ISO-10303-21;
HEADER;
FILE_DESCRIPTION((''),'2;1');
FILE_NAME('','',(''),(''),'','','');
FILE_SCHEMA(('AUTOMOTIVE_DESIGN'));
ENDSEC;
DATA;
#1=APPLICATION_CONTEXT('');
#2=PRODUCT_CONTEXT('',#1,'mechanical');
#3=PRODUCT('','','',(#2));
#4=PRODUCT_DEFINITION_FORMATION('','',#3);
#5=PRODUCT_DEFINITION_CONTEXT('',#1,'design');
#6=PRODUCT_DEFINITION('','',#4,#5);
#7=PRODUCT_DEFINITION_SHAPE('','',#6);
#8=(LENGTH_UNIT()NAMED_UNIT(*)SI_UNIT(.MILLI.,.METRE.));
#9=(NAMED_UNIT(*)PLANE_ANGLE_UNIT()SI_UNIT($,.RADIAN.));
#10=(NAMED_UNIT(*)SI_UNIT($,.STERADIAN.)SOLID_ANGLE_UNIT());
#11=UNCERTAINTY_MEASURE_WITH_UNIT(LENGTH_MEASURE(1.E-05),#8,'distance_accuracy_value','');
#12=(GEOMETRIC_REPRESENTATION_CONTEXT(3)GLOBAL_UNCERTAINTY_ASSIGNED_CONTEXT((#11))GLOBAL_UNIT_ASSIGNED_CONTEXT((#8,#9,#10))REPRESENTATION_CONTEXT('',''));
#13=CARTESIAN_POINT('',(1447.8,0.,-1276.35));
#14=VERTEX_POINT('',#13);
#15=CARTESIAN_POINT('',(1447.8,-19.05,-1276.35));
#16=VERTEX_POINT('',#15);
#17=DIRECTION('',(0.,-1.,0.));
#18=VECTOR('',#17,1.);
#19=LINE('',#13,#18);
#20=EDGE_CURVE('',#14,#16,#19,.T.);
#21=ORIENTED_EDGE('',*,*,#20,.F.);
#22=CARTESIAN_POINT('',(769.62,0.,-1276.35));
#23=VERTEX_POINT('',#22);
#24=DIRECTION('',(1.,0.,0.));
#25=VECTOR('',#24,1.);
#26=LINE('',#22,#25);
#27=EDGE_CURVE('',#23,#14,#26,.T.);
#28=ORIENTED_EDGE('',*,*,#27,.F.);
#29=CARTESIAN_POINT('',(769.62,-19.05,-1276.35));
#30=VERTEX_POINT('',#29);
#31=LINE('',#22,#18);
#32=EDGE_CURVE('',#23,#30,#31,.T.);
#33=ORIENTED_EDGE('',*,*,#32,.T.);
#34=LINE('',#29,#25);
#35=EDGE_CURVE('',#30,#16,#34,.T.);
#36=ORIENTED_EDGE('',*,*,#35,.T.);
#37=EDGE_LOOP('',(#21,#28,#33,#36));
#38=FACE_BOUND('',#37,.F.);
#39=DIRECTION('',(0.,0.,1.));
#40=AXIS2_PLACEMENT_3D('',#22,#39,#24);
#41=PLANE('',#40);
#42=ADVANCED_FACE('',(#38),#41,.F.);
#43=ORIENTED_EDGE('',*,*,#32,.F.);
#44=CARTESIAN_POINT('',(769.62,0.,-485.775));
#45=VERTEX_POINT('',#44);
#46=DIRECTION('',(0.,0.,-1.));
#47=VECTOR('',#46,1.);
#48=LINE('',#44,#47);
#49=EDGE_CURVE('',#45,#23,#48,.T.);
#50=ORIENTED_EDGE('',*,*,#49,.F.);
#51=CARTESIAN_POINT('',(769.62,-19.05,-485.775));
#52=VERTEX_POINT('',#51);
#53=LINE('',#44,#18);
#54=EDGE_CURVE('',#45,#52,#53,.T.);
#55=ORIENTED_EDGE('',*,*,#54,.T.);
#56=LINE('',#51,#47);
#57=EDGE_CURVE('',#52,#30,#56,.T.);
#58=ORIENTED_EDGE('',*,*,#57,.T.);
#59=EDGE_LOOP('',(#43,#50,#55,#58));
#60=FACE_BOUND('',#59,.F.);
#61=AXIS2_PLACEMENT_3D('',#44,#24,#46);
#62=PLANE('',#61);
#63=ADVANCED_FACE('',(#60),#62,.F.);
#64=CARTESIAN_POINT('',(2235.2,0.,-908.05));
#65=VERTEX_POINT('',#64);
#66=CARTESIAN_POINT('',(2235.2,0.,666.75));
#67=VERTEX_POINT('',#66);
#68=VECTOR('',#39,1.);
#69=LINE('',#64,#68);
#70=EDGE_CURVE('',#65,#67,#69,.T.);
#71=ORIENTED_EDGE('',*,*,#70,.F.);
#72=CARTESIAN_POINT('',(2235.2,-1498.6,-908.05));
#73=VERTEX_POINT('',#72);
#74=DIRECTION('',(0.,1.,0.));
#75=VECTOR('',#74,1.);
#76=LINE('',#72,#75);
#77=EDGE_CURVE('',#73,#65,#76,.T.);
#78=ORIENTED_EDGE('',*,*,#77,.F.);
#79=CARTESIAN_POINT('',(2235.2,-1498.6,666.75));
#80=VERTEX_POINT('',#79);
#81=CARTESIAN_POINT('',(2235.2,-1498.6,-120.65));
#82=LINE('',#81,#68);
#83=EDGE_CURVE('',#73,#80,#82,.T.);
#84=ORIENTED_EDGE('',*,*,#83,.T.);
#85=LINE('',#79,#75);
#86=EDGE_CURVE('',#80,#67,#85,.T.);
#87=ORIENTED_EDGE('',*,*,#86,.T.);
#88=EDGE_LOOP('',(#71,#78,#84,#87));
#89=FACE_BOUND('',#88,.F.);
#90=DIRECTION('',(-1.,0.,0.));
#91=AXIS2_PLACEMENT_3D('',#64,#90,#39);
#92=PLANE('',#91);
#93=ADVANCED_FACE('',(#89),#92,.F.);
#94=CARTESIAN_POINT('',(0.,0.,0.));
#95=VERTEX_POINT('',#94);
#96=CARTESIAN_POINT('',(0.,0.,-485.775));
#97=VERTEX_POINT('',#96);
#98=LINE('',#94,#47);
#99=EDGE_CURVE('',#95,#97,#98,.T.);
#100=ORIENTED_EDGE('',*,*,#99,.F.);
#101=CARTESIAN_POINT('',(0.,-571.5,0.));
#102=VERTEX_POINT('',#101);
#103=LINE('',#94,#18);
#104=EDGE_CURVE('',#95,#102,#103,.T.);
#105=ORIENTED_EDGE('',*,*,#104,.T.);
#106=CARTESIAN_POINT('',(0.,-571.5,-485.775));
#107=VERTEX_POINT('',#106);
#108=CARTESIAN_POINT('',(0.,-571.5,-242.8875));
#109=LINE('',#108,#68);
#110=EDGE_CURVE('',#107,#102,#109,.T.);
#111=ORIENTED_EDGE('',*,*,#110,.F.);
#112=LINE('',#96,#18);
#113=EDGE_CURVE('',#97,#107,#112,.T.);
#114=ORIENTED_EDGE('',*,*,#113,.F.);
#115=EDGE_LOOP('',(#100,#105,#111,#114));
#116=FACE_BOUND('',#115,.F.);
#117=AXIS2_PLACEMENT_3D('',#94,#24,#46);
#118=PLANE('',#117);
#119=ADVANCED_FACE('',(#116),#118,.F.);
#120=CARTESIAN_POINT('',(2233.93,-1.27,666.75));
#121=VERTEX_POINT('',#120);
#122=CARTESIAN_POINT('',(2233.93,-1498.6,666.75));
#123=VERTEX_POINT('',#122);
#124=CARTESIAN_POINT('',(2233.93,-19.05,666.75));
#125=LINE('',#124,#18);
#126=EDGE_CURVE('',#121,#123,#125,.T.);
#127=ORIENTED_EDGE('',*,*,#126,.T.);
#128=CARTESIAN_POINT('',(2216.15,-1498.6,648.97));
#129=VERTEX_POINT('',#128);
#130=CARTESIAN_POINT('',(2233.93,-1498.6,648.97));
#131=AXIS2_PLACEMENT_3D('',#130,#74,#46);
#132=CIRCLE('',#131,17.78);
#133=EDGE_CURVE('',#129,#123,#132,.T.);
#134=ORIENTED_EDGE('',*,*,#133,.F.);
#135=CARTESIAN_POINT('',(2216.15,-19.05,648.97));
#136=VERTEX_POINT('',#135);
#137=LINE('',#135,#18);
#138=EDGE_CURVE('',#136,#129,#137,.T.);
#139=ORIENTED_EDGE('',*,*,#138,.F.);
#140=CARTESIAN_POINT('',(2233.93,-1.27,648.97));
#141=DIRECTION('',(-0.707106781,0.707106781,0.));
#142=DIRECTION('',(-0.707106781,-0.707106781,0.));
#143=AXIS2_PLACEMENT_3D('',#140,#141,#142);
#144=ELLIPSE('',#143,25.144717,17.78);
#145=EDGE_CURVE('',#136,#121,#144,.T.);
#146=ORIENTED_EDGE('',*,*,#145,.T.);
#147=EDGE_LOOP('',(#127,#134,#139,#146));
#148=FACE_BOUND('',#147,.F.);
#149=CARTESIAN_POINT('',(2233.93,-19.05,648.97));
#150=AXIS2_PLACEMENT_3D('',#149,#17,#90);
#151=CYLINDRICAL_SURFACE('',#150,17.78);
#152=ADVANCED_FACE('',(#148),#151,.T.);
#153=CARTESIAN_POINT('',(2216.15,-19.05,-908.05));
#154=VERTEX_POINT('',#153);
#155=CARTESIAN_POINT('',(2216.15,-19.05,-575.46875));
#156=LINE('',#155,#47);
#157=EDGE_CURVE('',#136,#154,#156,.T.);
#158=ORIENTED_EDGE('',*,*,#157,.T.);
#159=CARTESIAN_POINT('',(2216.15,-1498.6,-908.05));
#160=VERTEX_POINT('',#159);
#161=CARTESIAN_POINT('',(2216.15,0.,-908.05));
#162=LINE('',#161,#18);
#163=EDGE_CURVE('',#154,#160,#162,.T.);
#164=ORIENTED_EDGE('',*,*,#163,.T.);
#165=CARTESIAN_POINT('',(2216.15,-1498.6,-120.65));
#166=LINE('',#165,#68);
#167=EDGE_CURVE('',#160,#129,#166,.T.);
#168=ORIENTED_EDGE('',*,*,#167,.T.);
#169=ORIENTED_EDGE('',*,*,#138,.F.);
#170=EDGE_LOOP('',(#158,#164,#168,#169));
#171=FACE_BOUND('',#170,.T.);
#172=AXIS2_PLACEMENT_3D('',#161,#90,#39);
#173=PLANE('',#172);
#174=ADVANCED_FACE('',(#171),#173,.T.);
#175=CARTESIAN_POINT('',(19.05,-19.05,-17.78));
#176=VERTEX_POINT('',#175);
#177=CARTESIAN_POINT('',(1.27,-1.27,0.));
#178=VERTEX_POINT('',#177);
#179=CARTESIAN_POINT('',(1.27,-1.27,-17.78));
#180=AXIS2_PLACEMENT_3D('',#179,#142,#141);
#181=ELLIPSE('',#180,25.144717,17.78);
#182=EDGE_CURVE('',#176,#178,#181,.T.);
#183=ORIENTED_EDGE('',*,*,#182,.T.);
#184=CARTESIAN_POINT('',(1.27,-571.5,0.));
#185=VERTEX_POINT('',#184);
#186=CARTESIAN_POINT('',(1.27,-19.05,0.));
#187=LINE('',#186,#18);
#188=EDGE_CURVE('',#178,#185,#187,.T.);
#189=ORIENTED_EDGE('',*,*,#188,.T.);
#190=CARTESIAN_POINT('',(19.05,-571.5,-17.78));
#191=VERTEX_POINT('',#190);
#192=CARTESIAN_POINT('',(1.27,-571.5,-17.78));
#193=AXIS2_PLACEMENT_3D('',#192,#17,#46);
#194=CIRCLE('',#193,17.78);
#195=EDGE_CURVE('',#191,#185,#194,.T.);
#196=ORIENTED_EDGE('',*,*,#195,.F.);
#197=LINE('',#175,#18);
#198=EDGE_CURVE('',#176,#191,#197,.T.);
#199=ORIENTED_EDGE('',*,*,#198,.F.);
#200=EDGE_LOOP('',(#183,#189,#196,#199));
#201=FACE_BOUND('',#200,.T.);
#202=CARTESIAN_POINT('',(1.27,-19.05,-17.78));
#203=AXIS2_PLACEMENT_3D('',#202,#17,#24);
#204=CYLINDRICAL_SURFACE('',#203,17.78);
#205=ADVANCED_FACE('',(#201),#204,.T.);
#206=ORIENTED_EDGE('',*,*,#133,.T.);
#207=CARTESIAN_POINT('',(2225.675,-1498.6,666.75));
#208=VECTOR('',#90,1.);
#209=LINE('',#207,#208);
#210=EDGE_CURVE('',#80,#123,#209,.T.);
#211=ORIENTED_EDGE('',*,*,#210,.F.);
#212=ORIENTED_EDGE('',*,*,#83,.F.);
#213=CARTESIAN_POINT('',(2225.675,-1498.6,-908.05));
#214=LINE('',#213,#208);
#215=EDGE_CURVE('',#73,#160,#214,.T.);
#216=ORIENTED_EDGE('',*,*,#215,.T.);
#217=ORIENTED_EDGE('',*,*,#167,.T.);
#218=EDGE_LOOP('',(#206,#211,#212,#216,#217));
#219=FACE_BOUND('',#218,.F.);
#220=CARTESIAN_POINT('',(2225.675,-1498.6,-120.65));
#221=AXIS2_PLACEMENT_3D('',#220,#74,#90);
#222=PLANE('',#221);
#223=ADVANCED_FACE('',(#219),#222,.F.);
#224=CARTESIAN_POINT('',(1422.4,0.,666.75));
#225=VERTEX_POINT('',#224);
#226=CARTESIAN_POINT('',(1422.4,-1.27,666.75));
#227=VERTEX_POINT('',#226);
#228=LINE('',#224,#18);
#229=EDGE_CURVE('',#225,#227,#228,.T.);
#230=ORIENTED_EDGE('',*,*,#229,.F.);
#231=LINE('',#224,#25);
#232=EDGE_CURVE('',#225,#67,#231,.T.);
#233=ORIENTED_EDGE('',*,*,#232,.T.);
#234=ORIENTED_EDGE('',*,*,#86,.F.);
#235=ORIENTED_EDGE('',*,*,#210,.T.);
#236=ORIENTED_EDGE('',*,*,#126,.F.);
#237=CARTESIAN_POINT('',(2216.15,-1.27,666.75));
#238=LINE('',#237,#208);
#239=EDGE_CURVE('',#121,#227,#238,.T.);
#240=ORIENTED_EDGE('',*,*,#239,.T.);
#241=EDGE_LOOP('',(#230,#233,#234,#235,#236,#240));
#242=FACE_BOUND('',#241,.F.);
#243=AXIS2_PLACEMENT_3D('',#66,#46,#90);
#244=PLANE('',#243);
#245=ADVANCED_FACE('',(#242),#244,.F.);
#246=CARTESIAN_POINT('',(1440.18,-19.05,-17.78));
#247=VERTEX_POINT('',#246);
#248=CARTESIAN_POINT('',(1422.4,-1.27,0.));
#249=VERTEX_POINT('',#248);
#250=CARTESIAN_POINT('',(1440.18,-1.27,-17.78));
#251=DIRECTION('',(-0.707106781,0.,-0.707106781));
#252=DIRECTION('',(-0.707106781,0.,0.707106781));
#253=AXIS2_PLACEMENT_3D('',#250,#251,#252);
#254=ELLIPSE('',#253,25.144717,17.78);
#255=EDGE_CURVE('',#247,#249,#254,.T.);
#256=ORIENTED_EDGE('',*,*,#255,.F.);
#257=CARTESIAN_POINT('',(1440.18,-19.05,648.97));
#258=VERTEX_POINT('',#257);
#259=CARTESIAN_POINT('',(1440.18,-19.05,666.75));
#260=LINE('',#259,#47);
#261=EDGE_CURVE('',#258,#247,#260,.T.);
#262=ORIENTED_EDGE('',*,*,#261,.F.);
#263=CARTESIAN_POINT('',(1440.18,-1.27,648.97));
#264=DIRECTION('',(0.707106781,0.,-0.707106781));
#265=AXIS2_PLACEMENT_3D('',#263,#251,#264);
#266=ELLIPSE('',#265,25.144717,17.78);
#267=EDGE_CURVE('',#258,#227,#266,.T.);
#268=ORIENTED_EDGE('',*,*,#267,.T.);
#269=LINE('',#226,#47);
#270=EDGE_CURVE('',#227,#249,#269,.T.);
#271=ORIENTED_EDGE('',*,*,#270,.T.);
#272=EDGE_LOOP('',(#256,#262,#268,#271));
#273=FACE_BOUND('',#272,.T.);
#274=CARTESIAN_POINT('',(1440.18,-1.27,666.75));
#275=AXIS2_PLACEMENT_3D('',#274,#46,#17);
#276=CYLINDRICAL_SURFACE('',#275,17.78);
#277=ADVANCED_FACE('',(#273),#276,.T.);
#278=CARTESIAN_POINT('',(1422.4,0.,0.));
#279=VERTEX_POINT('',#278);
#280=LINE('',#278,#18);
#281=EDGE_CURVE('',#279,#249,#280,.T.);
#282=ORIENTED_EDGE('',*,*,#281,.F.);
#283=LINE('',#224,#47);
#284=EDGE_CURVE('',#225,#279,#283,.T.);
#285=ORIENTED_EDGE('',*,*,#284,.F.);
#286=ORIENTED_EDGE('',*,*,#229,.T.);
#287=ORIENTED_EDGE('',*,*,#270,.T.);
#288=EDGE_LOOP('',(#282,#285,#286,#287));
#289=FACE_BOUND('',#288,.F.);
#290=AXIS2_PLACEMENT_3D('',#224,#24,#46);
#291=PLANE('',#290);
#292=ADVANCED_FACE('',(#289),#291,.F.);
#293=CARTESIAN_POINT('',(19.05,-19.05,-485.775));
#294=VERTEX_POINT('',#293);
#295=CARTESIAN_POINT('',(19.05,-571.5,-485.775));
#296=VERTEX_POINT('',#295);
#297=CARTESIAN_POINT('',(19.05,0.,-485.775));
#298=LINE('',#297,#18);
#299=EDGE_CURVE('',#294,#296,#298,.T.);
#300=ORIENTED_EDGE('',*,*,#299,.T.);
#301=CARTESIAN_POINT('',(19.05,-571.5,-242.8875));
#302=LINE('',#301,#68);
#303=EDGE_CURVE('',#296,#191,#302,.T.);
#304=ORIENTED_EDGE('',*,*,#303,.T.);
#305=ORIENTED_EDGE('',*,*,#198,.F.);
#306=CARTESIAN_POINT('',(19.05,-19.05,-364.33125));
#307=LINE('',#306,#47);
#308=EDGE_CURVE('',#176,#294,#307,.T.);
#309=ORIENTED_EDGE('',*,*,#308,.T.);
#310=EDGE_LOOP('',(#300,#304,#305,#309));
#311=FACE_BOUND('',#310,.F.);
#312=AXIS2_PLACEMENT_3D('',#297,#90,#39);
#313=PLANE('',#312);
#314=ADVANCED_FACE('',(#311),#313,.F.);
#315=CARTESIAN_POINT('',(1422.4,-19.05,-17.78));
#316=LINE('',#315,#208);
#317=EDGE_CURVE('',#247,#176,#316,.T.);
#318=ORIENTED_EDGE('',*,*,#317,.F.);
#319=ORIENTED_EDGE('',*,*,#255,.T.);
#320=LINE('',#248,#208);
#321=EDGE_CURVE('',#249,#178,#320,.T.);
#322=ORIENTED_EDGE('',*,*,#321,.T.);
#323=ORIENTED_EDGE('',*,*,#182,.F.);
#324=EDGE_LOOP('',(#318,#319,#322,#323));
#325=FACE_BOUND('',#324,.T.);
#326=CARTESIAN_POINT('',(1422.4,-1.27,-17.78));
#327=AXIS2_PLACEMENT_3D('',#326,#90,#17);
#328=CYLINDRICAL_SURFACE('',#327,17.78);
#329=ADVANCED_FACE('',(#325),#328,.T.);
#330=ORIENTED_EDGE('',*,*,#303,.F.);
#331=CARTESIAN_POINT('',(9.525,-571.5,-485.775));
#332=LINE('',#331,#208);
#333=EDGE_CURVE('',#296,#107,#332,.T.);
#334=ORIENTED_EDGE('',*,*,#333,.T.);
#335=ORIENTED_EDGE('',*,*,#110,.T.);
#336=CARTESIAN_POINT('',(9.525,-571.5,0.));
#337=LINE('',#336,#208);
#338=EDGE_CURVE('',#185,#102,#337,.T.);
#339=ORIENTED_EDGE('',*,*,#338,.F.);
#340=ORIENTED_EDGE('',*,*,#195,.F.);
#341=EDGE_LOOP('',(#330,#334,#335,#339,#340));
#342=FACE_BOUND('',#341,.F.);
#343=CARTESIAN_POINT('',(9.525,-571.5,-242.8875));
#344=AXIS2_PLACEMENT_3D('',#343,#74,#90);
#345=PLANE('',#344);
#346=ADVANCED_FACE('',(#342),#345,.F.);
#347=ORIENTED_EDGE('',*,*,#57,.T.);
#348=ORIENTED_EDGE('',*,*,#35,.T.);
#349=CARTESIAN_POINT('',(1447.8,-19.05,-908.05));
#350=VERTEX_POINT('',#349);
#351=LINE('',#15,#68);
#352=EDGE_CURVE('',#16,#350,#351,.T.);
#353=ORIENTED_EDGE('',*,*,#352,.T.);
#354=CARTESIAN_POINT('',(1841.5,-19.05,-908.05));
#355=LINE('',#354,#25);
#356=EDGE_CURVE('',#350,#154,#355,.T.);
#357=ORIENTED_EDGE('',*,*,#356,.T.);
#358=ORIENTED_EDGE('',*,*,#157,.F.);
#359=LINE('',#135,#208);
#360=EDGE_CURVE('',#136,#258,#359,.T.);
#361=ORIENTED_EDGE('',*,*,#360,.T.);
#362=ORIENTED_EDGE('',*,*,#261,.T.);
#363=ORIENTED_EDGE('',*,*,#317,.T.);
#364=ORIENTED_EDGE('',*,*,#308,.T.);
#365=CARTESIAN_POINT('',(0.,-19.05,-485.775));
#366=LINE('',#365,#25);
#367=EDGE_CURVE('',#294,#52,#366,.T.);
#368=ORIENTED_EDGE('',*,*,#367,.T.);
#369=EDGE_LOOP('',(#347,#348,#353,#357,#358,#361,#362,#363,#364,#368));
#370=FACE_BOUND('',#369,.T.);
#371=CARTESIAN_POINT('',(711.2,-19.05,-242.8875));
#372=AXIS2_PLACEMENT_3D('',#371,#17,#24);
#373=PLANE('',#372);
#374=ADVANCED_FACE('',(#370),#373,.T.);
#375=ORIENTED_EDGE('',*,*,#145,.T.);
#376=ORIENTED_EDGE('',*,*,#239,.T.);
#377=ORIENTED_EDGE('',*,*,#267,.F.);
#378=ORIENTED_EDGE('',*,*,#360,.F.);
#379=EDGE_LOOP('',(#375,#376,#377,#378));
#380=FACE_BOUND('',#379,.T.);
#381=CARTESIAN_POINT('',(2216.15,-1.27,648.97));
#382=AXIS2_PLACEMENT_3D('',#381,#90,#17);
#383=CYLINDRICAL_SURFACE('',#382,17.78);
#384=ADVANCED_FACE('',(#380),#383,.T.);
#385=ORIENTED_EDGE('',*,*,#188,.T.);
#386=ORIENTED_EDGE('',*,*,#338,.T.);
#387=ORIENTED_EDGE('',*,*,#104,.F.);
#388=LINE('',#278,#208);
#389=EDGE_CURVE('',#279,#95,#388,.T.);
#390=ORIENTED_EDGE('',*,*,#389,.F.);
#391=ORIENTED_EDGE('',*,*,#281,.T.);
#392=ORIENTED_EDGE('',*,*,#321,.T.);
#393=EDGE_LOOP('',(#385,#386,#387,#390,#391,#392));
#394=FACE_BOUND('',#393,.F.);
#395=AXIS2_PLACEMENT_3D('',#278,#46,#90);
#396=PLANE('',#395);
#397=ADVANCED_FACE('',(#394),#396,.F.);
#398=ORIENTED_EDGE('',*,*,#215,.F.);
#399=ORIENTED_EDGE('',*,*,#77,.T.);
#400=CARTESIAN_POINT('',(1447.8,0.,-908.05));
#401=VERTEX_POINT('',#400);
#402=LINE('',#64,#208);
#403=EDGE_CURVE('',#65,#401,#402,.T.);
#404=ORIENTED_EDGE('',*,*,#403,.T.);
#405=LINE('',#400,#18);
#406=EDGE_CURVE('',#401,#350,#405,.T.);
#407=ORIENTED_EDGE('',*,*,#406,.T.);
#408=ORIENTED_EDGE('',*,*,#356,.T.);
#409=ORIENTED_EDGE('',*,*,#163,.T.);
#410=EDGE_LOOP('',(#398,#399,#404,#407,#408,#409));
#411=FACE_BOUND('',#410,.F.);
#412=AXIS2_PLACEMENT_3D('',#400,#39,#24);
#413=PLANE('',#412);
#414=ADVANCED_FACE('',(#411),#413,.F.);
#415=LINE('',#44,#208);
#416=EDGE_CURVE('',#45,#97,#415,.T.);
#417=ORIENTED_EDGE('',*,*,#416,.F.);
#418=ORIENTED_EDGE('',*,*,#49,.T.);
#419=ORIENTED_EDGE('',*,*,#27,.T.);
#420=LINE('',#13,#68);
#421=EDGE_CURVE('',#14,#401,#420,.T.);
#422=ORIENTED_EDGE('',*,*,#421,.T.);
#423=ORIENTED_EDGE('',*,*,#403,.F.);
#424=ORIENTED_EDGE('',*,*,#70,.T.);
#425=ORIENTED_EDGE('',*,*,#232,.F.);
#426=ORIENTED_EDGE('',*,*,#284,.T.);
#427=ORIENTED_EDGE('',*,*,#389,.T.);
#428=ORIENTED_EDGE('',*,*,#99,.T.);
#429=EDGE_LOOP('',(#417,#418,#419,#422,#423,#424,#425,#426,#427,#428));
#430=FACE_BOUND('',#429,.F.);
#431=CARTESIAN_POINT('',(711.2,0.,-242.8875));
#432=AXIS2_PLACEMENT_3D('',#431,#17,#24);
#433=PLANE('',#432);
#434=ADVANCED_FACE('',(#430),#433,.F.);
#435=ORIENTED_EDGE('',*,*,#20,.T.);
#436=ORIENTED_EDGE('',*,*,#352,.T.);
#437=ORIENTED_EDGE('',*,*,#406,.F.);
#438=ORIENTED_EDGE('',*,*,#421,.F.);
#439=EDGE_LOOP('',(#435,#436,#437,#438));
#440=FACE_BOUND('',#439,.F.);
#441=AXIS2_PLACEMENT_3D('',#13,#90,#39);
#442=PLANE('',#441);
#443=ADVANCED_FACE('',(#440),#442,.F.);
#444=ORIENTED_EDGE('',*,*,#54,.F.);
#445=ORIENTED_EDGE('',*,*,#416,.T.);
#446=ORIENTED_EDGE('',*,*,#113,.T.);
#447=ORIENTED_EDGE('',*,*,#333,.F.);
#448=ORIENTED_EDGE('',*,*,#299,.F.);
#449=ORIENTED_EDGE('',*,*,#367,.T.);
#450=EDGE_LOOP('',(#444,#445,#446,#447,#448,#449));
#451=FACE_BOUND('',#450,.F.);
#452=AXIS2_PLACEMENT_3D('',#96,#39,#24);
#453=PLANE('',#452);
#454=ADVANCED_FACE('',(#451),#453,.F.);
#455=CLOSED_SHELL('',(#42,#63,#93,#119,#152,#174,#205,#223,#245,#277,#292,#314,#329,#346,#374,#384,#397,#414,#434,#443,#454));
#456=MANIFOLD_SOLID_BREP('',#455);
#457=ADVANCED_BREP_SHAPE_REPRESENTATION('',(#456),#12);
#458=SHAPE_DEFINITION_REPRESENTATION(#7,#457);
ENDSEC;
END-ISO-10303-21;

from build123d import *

# Parameters (mm, degrees)
F0_W     = 787.4
F0_H     = 422.275
F1_DEPTH = 19.05
F2_W     = 19.05
F2_H     = 485.775
F3_DEPTH = 571.5
F4_W     = 19.05
F4_H     = 1574.8
F5_DEPTH = 1498.6
F6_R     = 17.78


with BuildPart() as f1:
    # F0 (on Front) → F1 (new body)
    with BuildSketch(Plane.XZ):
        Polygon((1422.4, 0), (0, 0), (0, -485.775), (769.62, -485.775), (1422.4, -485.775), align=None)
        Polygon((1447.8, -485.775), (1422.4, -485.775), (769.62, -485.775), (769.62, -1276.35), (1447.8, -1276.35), (1447.8, -908.05), align=None)
        with Locations((1841.5, -696.9125)):
            Rectangle(F0_W, F0_H)
        Polygon((1422.4, 666.75), (1422.4, 0), (1422.4, -485.775), (1447.8, -485.775), (2235.2, -485.775), (2235.2, 666.75), align=None)
    extrude(amount=F1_DEPTH)

    # F2 (on face) → F3 (join)
    with BuildSketch(Plane(origin=(0, 0, 0), x_dir=(-1, 0, 0), z_dir=(0, 1, 0))):
        with Locations((-9.525, -242.8875)):
            Rectangle(F2_W, F2_H)
    extrude(amount=-F3_DEPTH)

    # F4 (on face) → F5 (join)
    with BuildSketch(Plane(origin=(0, 0, 0), x_dir=(-1, 0, 0), z_dir=(0, 1, 0))):
        with Locations((-2225.675, -120.65)):
            Rectangle(F4_W, F4_H)
    extrude(amount=-F5_DEPTH)

    # F6
    f6_edges = [f1.edges().sort_by_distance(p)[0] for p in [
        (720.725, -19.05, 0),
        (1422.4, -19.05, 333.375),
        (1819.275, -19.05, 666.75),
        (19.05, -295.275, 0),
        (2216.15, -758.825, 666.75),
    ]]
    fillet(f6_edges, radius=F6_R)


solid = f1.part
